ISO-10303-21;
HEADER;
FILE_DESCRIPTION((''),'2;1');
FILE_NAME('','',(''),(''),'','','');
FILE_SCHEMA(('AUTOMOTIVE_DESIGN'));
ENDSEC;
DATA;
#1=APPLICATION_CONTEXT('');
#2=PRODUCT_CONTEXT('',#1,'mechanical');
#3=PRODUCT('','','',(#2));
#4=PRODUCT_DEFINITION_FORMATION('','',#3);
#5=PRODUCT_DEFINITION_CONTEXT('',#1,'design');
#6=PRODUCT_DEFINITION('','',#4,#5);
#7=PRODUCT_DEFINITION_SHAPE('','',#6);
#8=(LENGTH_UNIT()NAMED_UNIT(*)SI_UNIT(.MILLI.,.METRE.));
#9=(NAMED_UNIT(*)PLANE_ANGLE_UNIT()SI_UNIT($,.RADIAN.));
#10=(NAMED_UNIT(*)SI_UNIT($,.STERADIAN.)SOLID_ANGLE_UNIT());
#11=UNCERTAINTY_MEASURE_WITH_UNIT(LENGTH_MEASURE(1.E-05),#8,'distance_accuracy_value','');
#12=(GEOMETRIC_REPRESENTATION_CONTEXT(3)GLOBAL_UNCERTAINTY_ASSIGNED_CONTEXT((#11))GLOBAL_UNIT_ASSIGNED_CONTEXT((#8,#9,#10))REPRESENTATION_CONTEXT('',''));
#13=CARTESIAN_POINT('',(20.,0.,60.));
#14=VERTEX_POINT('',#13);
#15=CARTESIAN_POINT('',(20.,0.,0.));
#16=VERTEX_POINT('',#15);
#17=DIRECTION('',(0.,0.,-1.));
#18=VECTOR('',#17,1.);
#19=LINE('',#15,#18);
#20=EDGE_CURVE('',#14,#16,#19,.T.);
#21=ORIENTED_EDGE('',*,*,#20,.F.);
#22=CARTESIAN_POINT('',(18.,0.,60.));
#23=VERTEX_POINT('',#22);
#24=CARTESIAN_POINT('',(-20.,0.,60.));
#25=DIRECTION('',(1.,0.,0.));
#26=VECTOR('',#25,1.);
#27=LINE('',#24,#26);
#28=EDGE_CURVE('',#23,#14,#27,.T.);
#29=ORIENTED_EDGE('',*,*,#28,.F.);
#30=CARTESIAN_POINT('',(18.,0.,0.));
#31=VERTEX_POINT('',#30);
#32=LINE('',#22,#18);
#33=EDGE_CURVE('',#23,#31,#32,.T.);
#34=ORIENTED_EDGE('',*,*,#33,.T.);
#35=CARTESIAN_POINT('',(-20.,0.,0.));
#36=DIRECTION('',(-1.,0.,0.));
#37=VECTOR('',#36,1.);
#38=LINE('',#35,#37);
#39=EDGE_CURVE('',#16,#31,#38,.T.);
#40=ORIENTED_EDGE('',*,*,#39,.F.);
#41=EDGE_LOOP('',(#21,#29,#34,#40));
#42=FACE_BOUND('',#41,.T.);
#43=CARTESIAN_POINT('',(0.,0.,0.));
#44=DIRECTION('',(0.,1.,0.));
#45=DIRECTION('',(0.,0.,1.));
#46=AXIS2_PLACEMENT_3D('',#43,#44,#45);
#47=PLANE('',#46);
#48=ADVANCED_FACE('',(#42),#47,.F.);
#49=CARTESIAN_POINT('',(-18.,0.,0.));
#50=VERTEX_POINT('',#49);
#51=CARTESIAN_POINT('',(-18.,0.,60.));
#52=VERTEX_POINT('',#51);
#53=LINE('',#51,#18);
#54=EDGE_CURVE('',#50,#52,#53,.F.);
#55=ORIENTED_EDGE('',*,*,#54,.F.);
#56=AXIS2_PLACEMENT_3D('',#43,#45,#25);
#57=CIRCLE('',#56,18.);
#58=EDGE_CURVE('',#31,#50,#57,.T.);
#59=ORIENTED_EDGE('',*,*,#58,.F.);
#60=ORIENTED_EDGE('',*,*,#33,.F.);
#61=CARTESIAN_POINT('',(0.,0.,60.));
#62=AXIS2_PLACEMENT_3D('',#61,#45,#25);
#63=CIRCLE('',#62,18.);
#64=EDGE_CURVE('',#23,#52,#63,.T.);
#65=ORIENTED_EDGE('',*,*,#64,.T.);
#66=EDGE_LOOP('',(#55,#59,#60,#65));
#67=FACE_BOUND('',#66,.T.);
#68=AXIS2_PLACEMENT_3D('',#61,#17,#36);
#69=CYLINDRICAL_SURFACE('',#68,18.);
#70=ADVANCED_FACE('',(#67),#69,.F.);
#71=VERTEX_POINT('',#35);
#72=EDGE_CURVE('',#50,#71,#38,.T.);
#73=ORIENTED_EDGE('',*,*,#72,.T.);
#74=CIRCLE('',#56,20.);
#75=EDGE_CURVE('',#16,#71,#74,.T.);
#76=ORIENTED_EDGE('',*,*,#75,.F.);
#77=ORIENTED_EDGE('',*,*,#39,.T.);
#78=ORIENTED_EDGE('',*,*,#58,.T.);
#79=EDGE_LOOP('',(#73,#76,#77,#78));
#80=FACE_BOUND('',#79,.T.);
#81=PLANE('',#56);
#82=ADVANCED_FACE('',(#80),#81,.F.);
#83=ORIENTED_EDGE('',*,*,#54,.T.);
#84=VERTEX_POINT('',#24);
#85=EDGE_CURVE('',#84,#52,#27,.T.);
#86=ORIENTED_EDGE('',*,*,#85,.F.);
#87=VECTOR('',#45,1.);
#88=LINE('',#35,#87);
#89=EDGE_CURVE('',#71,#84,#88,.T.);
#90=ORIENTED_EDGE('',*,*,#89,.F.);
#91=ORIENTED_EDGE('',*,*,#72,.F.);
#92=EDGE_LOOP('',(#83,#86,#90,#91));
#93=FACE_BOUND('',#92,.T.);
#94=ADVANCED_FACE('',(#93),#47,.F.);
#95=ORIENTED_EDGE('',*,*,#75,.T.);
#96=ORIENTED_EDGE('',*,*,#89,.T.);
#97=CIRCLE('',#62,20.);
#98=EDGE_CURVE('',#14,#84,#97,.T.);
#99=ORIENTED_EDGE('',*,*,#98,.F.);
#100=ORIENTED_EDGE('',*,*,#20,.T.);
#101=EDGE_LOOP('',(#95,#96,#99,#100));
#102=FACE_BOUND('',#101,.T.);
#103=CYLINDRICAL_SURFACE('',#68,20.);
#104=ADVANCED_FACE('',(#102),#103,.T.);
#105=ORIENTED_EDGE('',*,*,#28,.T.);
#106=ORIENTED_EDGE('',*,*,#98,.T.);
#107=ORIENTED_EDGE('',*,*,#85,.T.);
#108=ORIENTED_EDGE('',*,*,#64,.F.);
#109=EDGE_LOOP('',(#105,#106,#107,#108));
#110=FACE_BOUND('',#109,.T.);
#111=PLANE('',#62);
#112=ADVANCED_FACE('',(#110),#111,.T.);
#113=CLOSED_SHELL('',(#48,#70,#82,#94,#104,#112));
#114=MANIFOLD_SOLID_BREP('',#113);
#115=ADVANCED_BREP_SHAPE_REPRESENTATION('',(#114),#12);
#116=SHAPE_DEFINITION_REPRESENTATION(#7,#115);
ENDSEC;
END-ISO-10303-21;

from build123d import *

# Parameters (mm, degrees)
ESBO_O1_R                = 20
ESBO_O1_R_2              = 18
RESSALTO_EXTRUS_O1_DEPTH = 60
ESBO_O2_W                = 40
ESBO_O2_H                = 60
CORTE_EXTRUS_O1_DEPTH    = 60


with BuildPart() as part:
    # Esboço1 → Ressalto-extrusão1 (new body)
    with BuildSketch(Plane.XY):
        Circle(ESBO_O1_R)
        Circle(ESBO_O1_R_2, mode=Mode.SUBTRACT)
    extrude(amount=RESSALTO_EXTRUS_O1_DEPTH)

    # Esboço2 → Corte-extrusão1 (cut)
    with BuildSketch(Plane(origin=(0, 0, 0), x_dir=(1, 0, 0), z_dir=(0, 1, 0))):
        with Locations((0, -30)):
            Rectangle(ESBO_O2_W, ESBO_O2_H)
    extrude(amount=-CORTE_EXTRUS_O1_DEPTH, mode=Mode.SUBTRACT)


solid = part.part
